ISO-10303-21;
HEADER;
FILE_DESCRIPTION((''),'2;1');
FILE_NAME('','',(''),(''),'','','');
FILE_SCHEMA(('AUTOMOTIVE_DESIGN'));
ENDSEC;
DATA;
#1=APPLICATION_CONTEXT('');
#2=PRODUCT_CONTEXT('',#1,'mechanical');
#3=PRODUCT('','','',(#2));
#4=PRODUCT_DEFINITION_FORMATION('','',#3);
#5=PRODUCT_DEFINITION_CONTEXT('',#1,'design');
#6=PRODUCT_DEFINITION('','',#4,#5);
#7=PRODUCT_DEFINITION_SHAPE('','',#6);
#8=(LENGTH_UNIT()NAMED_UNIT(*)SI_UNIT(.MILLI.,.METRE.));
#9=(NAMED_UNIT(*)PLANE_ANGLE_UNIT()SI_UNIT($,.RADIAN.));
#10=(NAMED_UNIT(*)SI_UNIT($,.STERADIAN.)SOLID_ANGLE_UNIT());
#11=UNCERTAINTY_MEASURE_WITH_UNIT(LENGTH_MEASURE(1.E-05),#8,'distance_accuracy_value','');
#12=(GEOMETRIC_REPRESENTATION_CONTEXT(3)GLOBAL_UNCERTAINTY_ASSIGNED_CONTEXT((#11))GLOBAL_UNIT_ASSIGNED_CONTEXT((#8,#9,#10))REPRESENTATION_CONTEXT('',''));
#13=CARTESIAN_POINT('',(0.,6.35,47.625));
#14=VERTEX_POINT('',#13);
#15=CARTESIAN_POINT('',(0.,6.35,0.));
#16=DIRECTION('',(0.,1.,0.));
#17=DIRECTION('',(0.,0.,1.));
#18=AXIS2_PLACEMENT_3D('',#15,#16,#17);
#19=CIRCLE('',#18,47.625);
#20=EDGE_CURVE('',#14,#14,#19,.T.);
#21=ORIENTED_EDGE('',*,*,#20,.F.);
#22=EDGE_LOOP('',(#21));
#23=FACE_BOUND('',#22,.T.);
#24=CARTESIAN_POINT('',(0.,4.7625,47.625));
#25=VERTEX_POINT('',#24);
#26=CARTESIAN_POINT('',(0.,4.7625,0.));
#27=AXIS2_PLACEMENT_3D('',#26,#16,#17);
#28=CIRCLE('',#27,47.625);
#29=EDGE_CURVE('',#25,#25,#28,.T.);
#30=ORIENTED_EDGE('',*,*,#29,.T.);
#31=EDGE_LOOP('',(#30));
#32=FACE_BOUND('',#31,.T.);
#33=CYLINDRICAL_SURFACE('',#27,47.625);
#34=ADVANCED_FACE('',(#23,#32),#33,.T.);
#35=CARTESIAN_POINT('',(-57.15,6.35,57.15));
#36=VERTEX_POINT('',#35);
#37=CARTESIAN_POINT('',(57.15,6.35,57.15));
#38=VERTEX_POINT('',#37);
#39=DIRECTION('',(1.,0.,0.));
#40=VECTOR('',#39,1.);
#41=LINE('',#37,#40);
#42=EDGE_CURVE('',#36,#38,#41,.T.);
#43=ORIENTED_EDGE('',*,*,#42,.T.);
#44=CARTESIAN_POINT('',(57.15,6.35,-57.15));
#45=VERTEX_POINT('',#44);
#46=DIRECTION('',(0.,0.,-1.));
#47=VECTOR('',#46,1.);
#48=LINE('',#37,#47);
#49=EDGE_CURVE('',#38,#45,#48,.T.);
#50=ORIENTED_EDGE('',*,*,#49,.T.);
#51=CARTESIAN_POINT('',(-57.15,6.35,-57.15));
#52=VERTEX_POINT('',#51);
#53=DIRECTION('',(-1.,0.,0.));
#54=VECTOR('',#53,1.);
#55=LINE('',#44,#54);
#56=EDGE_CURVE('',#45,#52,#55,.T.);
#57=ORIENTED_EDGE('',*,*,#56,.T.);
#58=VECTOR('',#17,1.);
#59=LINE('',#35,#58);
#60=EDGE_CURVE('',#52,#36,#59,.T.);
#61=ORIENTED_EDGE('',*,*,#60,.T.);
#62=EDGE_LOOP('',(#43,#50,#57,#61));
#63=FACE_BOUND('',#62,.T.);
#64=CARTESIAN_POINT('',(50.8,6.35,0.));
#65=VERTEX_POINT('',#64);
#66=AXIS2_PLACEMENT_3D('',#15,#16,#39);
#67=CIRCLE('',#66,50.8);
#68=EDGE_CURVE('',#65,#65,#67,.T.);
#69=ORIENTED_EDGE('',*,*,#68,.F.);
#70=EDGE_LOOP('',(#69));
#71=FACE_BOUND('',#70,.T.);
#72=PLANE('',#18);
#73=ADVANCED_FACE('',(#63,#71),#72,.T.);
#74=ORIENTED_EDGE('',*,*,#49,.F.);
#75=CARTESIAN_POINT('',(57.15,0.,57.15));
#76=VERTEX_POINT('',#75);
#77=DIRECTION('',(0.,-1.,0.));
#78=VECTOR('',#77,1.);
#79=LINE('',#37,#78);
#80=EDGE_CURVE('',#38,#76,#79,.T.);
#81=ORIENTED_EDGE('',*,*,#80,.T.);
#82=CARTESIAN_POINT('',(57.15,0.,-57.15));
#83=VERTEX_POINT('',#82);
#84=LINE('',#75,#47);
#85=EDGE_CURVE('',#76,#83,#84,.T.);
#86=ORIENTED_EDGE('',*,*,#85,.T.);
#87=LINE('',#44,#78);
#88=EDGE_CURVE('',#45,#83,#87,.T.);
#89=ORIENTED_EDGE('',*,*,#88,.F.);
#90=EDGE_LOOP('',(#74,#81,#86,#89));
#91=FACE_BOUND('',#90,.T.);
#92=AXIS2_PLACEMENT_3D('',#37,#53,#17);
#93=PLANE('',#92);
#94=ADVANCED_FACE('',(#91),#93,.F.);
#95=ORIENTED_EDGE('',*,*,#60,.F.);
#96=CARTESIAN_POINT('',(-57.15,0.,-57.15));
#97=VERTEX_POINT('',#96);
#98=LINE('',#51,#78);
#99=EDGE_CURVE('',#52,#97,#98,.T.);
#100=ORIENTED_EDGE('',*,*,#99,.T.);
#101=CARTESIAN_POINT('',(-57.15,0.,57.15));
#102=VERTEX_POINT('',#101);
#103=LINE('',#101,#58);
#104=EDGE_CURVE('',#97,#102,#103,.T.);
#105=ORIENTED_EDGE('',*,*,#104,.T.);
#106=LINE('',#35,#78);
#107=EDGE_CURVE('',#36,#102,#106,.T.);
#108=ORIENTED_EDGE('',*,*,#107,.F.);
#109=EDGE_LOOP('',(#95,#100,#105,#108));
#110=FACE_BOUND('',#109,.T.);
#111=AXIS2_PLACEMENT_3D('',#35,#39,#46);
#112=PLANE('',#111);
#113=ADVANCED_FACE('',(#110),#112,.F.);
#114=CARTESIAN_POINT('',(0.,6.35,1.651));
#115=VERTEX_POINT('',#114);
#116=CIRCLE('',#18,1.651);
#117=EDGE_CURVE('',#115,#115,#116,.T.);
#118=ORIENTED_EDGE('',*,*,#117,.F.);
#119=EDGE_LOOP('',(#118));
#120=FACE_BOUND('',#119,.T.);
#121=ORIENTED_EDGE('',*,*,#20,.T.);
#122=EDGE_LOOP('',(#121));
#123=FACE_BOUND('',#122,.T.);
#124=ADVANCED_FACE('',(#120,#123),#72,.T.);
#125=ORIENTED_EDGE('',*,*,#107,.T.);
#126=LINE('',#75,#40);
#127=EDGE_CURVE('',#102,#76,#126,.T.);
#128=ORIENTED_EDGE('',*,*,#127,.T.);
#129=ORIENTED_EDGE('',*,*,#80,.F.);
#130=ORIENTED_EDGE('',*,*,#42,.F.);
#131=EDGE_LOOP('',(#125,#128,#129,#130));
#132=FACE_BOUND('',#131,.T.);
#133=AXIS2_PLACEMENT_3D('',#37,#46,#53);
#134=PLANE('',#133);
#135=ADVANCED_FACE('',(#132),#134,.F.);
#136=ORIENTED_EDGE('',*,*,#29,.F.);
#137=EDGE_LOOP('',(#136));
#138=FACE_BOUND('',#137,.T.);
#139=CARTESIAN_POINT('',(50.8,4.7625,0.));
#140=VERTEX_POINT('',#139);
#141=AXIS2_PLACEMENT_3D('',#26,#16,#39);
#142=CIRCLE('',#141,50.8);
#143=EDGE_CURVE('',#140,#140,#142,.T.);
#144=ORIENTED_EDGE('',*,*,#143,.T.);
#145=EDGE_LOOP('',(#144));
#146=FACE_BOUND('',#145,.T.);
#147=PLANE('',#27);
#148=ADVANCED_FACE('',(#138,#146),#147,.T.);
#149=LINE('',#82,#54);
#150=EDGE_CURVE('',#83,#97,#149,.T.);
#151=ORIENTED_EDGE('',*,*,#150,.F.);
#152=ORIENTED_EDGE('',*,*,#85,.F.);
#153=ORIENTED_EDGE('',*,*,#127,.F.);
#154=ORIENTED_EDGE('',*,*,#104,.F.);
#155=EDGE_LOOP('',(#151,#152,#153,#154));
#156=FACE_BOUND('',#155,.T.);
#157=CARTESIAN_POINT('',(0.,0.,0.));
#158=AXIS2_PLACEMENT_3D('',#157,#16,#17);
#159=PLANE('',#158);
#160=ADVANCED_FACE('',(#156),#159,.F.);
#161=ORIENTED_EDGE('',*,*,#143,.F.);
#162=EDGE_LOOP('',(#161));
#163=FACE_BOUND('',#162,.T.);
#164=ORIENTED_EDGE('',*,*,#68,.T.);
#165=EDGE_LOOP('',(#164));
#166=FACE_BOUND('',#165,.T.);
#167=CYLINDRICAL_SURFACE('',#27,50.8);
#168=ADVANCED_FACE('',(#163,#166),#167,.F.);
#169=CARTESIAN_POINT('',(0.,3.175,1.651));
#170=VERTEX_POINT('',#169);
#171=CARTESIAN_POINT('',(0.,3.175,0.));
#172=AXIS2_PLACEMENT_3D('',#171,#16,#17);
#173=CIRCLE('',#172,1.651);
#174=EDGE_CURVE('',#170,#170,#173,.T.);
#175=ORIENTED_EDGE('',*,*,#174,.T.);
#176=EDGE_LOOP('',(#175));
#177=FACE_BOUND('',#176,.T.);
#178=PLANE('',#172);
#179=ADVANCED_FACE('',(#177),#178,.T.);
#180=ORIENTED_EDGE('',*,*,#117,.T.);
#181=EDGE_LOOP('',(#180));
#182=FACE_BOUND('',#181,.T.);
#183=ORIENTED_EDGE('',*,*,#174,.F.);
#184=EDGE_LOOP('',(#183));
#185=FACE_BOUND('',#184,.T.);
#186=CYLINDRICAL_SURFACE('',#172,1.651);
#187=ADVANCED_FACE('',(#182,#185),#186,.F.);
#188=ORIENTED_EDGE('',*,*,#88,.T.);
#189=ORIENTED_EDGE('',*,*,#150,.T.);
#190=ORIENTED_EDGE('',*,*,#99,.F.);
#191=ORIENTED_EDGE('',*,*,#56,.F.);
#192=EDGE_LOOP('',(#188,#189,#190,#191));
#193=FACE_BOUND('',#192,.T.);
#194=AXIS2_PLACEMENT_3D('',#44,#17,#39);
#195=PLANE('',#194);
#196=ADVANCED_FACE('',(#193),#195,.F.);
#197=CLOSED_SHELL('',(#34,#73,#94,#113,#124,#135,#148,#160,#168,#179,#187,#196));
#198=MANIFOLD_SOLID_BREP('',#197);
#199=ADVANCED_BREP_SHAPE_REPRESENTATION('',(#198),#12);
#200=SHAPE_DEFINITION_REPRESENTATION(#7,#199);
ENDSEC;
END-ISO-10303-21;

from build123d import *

# Parameters (mm, degrees)
SKETCH1_W               = 114.3
SKETCH1_H               = 114.3
BOSS_EXTRUDE1_DEPTH     = 6.35
SKETCH2_R               = 50.8
SKETCH2_R_2             = 47.625
CUT_EXTRUDE_THIN1_DEPTH = 1.5875
SKETCH3_R               = 1.651
CUT_EXTRUDE1_DEPTH      = 3.175


with BuildPart() as part:
    # Sketch1 → Boss-Extrude1 (new body)
    with BuildSketch(Plane(origin=(0, 0, 0), x_dir=(1, 0, 0), z_dir=(0, 1, 0))):
        Rectangle(SKETCH1_W, SKETCH1_H)
    extrude(amount=BOSS_EXTRUDE1_DEPTH)

    # Sketch2 → Cut-Extrude-Thin1 (cut)
    with BuildSketch(Plane(origin=(0, 6.35, 0), x_dir=(1, 0, 0), z_dir=(0, 1, 0))):
        Circle(SKETCH2_R)
        Circle(SKETCH2_R_2, mode=Mode.SUBTRACT)
    extrude(amount=-CUT_EXTRUDE_THIN1_DEPTH, mode=Mode.SUBTRACT)

    # Sketch3 → Cut-Extrude1 (cut)
    with BuildSketch(Plane(origin=(0, 6.35, 0), x_dir=(1, 0, 0), z_dir=(0, 1, 0))):
        Circle(SKETCH3_R)
    extrude(amount=-CUT_EXTRUDE1_DEPTH, mode=Mode.SUBTRACT)


solid = part.part
